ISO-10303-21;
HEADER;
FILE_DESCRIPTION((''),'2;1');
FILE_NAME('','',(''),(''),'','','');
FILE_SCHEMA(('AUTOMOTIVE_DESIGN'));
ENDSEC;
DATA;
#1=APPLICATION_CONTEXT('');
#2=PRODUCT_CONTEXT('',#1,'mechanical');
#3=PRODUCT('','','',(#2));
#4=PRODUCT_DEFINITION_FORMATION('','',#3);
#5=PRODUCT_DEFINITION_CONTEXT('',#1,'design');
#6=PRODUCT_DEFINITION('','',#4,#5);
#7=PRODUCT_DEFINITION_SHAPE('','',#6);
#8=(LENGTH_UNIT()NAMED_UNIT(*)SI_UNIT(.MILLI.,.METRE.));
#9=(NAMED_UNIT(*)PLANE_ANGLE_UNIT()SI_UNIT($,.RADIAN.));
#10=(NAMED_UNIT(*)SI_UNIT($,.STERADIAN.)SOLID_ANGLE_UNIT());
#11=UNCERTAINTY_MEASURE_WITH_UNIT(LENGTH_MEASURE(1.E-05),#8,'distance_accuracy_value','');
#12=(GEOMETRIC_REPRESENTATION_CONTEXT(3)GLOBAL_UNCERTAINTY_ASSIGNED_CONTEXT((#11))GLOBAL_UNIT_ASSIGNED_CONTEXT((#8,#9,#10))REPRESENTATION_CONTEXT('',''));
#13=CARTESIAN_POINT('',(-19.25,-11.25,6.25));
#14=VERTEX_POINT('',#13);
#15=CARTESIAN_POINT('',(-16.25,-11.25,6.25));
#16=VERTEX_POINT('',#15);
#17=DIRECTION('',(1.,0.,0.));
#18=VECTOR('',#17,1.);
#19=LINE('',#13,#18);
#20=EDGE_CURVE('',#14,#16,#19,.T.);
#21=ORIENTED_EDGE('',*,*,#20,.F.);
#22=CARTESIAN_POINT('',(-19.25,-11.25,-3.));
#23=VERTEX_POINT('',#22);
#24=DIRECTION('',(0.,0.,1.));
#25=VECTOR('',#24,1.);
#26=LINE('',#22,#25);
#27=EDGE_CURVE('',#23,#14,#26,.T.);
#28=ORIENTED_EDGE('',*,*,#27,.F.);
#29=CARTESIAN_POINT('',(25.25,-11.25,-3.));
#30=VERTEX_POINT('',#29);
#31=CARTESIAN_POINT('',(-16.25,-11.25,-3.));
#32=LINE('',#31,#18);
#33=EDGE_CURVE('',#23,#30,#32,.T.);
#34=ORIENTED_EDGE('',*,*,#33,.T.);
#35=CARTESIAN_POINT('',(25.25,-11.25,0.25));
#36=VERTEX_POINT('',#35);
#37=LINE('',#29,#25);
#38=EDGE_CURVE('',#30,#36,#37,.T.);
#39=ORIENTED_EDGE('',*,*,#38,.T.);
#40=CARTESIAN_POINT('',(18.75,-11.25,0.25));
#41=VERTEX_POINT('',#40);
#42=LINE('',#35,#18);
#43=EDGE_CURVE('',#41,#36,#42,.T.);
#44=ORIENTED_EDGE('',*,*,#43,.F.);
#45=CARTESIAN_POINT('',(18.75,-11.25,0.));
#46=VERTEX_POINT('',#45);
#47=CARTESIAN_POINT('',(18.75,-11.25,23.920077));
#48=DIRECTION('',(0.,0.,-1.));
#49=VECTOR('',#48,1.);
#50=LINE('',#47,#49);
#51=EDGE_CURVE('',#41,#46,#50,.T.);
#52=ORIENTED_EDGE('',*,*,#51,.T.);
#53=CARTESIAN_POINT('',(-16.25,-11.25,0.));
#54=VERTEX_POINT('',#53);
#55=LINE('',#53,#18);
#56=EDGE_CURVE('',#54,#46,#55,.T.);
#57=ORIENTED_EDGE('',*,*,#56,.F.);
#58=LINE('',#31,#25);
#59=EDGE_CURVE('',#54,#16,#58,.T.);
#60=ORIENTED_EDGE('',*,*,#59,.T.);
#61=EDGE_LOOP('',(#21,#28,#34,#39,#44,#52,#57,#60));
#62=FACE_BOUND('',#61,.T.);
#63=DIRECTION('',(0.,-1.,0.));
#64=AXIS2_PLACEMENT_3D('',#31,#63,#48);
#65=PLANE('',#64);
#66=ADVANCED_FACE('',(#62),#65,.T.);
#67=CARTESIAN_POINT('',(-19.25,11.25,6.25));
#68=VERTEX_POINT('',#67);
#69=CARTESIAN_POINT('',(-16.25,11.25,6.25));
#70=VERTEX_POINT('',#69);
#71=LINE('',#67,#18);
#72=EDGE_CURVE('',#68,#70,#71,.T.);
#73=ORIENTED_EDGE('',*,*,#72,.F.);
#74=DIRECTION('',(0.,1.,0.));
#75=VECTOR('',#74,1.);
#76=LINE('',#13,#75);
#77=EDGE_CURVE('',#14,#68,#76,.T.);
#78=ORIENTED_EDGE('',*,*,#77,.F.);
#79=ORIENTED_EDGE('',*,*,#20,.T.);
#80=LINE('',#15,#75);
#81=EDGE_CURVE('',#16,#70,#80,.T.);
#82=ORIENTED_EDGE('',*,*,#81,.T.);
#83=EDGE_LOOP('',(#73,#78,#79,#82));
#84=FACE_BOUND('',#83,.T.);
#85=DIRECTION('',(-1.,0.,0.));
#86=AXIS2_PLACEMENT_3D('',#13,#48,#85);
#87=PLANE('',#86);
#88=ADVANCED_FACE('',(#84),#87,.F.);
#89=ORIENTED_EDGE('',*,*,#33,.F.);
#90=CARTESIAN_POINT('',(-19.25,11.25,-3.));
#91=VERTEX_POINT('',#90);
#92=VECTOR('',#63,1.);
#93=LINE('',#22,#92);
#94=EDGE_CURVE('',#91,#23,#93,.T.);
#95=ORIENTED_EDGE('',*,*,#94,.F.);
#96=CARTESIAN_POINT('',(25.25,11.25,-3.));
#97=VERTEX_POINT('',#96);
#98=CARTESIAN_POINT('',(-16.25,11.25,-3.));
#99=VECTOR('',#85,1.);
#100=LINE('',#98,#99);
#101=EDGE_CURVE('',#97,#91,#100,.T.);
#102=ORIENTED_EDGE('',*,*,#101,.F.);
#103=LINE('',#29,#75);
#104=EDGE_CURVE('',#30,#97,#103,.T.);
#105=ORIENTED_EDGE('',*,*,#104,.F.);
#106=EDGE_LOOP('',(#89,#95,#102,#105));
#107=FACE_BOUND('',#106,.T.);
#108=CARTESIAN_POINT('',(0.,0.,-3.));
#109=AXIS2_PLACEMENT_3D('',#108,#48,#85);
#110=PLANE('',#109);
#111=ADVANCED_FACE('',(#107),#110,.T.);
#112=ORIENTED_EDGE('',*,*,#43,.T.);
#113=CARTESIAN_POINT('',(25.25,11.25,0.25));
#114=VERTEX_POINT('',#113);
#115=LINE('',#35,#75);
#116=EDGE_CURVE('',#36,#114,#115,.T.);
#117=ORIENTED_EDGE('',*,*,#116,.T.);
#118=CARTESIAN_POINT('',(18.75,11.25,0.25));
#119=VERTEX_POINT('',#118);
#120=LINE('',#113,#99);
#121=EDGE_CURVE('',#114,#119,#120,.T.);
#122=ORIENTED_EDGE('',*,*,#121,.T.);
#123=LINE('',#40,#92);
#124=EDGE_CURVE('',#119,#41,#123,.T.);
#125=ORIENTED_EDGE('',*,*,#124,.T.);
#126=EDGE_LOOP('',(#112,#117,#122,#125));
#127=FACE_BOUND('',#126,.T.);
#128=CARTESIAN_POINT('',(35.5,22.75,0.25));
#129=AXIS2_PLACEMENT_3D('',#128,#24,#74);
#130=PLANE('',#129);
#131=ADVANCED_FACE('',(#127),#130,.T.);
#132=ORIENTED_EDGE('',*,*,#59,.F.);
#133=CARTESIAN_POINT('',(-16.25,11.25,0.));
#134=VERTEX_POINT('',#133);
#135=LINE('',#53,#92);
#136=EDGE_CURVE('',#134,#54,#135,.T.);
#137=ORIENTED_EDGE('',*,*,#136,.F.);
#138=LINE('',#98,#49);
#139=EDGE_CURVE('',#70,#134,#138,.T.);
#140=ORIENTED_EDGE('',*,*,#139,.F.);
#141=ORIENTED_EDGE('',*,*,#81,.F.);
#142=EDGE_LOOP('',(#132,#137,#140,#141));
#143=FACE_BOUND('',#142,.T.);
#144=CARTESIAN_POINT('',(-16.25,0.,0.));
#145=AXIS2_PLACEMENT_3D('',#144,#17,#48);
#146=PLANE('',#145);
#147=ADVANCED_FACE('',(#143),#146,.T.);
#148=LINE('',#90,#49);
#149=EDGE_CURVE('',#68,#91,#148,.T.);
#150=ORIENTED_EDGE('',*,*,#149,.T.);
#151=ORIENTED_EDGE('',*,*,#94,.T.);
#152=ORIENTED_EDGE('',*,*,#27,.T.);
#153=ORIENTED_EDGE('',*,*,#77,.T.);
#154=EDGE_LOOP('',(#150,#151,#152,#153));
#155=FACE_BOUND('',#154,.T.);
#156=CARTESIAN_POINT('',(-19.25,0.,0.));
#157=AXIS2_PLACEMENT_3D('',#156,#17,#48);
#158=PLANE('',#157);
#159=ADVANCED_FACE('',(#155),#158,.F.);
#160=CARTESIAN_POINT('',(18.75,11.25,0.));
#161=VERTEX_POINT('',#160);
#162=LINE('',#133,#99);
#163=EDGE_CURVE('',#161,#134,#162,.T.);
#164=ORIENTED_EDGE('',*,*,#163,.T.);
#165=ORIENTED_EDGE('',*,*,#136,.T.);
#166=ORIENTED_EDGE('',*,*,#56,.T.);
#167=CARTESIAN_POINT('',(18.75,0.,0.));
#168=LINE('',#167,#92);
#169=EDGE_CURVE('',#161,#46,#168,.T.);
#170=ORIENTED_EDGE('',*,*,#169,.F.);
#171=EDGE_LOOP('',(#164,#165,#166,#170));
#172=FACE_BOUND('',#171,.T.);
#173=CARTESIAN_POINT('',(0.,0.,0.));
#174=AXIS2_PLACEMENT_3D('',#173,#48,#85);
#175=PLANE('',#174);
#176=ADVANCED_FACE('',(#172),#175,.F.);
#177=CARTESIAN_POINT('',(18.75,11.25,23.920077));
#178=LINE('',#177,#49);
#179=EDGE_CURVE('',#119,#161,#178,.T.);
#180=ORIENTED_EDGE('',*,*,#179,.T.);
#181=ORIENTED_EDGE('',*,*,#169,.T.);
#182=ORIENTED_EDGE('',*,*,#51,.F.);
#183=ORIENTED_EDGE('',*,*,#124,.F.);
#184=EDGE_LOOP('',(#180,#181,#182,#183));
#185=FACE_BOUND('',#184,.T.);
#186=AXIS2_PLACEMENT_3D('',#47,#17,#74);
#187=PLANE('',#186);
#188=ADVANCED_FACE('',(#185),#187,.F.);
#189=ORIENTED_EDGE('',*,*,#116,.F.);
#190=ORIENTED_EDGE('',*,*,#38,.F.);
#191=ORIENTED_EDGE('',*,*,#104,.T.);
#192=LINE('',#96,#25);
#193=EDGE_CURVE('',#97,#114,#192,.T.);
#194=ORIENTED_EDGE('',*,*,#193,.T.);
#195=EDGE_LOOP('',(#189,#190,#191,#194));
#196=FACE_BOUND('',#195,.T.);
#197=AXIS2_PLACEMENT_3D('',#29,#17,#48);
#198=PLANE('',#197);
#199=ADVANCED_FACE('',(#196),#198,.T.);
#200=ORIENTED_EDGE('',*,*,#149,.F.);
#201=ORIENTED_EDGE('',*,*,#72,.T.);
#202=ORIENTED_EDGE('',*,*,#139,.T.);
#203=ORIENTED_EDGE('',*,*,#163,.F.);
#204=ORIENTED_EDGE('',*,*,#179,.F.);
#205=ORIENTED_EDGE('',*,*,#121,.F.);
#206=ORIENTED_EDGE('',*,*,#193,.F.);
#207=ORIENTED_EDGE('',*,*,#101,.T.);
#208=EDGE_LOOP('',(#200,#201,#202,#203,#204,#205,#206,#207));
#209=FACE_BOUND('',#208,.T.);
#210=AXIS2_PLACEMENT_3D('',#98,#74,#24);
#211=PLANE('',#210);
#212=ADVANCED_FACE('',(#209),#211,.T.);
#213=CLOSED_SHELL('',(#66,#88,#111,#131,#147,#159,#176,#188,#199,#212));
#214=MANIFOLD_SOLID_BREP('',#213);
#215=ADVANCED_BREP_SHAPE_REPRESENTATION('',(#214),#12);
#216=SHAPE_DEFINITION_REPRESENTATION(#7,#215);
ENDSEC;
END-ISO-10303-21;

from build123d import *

# Parameters (mm, degrees)
ESBO_O1_W                = 41.5
ESBO_O1_H                = 22.5
RESSALTO_EXTRUS_O1_DEPTH = 3
ESBO_O2_W                = 9.25
ESBO_O2_H                = 22.5
RESSALTO_EXTRUS_O2_DEPTH = 3
ESBO_O3_W                = 6.5
ESBO_O3_H                = 22.5
RESSALTO_EXTRUS_O3_DEPTH = 3.25


with BuildPart() as part:
    # Esboço1 → Ressalto-extrusão1 (new body)
    with BuildSketch(Plane.XY):
        with Locations((4.5, 0)):
            Rectangle(ESBO_O1_W, ESBO_O1_H)
    extrude(amount=-RESSALTO_EXTRUS_O1_DEPTH)

    # Esboço2 → Ressalto-extrusão2 (add)
    with BuildSketch(Plane.ZY.offset(16.25)):
        with Locations((1.625, 0)):
            Rectangle(ESBO_O2_W, ESBO_O2_H)
    extrude(amount=RESSALTO_EXTRUS_O2_DEPTH)

    # Esboço3 → Ressalto-extrusão3 (add)
    with BuildSketch(Plane.XY.offset(-3)):
        with Locations((22, 0)):
            Rectangle(ESBO_O3_W, ESBO_O3_H)
    extrude(amount=RESSALTO_EXTRUS_O3_DEPTH)


solid = part.part
